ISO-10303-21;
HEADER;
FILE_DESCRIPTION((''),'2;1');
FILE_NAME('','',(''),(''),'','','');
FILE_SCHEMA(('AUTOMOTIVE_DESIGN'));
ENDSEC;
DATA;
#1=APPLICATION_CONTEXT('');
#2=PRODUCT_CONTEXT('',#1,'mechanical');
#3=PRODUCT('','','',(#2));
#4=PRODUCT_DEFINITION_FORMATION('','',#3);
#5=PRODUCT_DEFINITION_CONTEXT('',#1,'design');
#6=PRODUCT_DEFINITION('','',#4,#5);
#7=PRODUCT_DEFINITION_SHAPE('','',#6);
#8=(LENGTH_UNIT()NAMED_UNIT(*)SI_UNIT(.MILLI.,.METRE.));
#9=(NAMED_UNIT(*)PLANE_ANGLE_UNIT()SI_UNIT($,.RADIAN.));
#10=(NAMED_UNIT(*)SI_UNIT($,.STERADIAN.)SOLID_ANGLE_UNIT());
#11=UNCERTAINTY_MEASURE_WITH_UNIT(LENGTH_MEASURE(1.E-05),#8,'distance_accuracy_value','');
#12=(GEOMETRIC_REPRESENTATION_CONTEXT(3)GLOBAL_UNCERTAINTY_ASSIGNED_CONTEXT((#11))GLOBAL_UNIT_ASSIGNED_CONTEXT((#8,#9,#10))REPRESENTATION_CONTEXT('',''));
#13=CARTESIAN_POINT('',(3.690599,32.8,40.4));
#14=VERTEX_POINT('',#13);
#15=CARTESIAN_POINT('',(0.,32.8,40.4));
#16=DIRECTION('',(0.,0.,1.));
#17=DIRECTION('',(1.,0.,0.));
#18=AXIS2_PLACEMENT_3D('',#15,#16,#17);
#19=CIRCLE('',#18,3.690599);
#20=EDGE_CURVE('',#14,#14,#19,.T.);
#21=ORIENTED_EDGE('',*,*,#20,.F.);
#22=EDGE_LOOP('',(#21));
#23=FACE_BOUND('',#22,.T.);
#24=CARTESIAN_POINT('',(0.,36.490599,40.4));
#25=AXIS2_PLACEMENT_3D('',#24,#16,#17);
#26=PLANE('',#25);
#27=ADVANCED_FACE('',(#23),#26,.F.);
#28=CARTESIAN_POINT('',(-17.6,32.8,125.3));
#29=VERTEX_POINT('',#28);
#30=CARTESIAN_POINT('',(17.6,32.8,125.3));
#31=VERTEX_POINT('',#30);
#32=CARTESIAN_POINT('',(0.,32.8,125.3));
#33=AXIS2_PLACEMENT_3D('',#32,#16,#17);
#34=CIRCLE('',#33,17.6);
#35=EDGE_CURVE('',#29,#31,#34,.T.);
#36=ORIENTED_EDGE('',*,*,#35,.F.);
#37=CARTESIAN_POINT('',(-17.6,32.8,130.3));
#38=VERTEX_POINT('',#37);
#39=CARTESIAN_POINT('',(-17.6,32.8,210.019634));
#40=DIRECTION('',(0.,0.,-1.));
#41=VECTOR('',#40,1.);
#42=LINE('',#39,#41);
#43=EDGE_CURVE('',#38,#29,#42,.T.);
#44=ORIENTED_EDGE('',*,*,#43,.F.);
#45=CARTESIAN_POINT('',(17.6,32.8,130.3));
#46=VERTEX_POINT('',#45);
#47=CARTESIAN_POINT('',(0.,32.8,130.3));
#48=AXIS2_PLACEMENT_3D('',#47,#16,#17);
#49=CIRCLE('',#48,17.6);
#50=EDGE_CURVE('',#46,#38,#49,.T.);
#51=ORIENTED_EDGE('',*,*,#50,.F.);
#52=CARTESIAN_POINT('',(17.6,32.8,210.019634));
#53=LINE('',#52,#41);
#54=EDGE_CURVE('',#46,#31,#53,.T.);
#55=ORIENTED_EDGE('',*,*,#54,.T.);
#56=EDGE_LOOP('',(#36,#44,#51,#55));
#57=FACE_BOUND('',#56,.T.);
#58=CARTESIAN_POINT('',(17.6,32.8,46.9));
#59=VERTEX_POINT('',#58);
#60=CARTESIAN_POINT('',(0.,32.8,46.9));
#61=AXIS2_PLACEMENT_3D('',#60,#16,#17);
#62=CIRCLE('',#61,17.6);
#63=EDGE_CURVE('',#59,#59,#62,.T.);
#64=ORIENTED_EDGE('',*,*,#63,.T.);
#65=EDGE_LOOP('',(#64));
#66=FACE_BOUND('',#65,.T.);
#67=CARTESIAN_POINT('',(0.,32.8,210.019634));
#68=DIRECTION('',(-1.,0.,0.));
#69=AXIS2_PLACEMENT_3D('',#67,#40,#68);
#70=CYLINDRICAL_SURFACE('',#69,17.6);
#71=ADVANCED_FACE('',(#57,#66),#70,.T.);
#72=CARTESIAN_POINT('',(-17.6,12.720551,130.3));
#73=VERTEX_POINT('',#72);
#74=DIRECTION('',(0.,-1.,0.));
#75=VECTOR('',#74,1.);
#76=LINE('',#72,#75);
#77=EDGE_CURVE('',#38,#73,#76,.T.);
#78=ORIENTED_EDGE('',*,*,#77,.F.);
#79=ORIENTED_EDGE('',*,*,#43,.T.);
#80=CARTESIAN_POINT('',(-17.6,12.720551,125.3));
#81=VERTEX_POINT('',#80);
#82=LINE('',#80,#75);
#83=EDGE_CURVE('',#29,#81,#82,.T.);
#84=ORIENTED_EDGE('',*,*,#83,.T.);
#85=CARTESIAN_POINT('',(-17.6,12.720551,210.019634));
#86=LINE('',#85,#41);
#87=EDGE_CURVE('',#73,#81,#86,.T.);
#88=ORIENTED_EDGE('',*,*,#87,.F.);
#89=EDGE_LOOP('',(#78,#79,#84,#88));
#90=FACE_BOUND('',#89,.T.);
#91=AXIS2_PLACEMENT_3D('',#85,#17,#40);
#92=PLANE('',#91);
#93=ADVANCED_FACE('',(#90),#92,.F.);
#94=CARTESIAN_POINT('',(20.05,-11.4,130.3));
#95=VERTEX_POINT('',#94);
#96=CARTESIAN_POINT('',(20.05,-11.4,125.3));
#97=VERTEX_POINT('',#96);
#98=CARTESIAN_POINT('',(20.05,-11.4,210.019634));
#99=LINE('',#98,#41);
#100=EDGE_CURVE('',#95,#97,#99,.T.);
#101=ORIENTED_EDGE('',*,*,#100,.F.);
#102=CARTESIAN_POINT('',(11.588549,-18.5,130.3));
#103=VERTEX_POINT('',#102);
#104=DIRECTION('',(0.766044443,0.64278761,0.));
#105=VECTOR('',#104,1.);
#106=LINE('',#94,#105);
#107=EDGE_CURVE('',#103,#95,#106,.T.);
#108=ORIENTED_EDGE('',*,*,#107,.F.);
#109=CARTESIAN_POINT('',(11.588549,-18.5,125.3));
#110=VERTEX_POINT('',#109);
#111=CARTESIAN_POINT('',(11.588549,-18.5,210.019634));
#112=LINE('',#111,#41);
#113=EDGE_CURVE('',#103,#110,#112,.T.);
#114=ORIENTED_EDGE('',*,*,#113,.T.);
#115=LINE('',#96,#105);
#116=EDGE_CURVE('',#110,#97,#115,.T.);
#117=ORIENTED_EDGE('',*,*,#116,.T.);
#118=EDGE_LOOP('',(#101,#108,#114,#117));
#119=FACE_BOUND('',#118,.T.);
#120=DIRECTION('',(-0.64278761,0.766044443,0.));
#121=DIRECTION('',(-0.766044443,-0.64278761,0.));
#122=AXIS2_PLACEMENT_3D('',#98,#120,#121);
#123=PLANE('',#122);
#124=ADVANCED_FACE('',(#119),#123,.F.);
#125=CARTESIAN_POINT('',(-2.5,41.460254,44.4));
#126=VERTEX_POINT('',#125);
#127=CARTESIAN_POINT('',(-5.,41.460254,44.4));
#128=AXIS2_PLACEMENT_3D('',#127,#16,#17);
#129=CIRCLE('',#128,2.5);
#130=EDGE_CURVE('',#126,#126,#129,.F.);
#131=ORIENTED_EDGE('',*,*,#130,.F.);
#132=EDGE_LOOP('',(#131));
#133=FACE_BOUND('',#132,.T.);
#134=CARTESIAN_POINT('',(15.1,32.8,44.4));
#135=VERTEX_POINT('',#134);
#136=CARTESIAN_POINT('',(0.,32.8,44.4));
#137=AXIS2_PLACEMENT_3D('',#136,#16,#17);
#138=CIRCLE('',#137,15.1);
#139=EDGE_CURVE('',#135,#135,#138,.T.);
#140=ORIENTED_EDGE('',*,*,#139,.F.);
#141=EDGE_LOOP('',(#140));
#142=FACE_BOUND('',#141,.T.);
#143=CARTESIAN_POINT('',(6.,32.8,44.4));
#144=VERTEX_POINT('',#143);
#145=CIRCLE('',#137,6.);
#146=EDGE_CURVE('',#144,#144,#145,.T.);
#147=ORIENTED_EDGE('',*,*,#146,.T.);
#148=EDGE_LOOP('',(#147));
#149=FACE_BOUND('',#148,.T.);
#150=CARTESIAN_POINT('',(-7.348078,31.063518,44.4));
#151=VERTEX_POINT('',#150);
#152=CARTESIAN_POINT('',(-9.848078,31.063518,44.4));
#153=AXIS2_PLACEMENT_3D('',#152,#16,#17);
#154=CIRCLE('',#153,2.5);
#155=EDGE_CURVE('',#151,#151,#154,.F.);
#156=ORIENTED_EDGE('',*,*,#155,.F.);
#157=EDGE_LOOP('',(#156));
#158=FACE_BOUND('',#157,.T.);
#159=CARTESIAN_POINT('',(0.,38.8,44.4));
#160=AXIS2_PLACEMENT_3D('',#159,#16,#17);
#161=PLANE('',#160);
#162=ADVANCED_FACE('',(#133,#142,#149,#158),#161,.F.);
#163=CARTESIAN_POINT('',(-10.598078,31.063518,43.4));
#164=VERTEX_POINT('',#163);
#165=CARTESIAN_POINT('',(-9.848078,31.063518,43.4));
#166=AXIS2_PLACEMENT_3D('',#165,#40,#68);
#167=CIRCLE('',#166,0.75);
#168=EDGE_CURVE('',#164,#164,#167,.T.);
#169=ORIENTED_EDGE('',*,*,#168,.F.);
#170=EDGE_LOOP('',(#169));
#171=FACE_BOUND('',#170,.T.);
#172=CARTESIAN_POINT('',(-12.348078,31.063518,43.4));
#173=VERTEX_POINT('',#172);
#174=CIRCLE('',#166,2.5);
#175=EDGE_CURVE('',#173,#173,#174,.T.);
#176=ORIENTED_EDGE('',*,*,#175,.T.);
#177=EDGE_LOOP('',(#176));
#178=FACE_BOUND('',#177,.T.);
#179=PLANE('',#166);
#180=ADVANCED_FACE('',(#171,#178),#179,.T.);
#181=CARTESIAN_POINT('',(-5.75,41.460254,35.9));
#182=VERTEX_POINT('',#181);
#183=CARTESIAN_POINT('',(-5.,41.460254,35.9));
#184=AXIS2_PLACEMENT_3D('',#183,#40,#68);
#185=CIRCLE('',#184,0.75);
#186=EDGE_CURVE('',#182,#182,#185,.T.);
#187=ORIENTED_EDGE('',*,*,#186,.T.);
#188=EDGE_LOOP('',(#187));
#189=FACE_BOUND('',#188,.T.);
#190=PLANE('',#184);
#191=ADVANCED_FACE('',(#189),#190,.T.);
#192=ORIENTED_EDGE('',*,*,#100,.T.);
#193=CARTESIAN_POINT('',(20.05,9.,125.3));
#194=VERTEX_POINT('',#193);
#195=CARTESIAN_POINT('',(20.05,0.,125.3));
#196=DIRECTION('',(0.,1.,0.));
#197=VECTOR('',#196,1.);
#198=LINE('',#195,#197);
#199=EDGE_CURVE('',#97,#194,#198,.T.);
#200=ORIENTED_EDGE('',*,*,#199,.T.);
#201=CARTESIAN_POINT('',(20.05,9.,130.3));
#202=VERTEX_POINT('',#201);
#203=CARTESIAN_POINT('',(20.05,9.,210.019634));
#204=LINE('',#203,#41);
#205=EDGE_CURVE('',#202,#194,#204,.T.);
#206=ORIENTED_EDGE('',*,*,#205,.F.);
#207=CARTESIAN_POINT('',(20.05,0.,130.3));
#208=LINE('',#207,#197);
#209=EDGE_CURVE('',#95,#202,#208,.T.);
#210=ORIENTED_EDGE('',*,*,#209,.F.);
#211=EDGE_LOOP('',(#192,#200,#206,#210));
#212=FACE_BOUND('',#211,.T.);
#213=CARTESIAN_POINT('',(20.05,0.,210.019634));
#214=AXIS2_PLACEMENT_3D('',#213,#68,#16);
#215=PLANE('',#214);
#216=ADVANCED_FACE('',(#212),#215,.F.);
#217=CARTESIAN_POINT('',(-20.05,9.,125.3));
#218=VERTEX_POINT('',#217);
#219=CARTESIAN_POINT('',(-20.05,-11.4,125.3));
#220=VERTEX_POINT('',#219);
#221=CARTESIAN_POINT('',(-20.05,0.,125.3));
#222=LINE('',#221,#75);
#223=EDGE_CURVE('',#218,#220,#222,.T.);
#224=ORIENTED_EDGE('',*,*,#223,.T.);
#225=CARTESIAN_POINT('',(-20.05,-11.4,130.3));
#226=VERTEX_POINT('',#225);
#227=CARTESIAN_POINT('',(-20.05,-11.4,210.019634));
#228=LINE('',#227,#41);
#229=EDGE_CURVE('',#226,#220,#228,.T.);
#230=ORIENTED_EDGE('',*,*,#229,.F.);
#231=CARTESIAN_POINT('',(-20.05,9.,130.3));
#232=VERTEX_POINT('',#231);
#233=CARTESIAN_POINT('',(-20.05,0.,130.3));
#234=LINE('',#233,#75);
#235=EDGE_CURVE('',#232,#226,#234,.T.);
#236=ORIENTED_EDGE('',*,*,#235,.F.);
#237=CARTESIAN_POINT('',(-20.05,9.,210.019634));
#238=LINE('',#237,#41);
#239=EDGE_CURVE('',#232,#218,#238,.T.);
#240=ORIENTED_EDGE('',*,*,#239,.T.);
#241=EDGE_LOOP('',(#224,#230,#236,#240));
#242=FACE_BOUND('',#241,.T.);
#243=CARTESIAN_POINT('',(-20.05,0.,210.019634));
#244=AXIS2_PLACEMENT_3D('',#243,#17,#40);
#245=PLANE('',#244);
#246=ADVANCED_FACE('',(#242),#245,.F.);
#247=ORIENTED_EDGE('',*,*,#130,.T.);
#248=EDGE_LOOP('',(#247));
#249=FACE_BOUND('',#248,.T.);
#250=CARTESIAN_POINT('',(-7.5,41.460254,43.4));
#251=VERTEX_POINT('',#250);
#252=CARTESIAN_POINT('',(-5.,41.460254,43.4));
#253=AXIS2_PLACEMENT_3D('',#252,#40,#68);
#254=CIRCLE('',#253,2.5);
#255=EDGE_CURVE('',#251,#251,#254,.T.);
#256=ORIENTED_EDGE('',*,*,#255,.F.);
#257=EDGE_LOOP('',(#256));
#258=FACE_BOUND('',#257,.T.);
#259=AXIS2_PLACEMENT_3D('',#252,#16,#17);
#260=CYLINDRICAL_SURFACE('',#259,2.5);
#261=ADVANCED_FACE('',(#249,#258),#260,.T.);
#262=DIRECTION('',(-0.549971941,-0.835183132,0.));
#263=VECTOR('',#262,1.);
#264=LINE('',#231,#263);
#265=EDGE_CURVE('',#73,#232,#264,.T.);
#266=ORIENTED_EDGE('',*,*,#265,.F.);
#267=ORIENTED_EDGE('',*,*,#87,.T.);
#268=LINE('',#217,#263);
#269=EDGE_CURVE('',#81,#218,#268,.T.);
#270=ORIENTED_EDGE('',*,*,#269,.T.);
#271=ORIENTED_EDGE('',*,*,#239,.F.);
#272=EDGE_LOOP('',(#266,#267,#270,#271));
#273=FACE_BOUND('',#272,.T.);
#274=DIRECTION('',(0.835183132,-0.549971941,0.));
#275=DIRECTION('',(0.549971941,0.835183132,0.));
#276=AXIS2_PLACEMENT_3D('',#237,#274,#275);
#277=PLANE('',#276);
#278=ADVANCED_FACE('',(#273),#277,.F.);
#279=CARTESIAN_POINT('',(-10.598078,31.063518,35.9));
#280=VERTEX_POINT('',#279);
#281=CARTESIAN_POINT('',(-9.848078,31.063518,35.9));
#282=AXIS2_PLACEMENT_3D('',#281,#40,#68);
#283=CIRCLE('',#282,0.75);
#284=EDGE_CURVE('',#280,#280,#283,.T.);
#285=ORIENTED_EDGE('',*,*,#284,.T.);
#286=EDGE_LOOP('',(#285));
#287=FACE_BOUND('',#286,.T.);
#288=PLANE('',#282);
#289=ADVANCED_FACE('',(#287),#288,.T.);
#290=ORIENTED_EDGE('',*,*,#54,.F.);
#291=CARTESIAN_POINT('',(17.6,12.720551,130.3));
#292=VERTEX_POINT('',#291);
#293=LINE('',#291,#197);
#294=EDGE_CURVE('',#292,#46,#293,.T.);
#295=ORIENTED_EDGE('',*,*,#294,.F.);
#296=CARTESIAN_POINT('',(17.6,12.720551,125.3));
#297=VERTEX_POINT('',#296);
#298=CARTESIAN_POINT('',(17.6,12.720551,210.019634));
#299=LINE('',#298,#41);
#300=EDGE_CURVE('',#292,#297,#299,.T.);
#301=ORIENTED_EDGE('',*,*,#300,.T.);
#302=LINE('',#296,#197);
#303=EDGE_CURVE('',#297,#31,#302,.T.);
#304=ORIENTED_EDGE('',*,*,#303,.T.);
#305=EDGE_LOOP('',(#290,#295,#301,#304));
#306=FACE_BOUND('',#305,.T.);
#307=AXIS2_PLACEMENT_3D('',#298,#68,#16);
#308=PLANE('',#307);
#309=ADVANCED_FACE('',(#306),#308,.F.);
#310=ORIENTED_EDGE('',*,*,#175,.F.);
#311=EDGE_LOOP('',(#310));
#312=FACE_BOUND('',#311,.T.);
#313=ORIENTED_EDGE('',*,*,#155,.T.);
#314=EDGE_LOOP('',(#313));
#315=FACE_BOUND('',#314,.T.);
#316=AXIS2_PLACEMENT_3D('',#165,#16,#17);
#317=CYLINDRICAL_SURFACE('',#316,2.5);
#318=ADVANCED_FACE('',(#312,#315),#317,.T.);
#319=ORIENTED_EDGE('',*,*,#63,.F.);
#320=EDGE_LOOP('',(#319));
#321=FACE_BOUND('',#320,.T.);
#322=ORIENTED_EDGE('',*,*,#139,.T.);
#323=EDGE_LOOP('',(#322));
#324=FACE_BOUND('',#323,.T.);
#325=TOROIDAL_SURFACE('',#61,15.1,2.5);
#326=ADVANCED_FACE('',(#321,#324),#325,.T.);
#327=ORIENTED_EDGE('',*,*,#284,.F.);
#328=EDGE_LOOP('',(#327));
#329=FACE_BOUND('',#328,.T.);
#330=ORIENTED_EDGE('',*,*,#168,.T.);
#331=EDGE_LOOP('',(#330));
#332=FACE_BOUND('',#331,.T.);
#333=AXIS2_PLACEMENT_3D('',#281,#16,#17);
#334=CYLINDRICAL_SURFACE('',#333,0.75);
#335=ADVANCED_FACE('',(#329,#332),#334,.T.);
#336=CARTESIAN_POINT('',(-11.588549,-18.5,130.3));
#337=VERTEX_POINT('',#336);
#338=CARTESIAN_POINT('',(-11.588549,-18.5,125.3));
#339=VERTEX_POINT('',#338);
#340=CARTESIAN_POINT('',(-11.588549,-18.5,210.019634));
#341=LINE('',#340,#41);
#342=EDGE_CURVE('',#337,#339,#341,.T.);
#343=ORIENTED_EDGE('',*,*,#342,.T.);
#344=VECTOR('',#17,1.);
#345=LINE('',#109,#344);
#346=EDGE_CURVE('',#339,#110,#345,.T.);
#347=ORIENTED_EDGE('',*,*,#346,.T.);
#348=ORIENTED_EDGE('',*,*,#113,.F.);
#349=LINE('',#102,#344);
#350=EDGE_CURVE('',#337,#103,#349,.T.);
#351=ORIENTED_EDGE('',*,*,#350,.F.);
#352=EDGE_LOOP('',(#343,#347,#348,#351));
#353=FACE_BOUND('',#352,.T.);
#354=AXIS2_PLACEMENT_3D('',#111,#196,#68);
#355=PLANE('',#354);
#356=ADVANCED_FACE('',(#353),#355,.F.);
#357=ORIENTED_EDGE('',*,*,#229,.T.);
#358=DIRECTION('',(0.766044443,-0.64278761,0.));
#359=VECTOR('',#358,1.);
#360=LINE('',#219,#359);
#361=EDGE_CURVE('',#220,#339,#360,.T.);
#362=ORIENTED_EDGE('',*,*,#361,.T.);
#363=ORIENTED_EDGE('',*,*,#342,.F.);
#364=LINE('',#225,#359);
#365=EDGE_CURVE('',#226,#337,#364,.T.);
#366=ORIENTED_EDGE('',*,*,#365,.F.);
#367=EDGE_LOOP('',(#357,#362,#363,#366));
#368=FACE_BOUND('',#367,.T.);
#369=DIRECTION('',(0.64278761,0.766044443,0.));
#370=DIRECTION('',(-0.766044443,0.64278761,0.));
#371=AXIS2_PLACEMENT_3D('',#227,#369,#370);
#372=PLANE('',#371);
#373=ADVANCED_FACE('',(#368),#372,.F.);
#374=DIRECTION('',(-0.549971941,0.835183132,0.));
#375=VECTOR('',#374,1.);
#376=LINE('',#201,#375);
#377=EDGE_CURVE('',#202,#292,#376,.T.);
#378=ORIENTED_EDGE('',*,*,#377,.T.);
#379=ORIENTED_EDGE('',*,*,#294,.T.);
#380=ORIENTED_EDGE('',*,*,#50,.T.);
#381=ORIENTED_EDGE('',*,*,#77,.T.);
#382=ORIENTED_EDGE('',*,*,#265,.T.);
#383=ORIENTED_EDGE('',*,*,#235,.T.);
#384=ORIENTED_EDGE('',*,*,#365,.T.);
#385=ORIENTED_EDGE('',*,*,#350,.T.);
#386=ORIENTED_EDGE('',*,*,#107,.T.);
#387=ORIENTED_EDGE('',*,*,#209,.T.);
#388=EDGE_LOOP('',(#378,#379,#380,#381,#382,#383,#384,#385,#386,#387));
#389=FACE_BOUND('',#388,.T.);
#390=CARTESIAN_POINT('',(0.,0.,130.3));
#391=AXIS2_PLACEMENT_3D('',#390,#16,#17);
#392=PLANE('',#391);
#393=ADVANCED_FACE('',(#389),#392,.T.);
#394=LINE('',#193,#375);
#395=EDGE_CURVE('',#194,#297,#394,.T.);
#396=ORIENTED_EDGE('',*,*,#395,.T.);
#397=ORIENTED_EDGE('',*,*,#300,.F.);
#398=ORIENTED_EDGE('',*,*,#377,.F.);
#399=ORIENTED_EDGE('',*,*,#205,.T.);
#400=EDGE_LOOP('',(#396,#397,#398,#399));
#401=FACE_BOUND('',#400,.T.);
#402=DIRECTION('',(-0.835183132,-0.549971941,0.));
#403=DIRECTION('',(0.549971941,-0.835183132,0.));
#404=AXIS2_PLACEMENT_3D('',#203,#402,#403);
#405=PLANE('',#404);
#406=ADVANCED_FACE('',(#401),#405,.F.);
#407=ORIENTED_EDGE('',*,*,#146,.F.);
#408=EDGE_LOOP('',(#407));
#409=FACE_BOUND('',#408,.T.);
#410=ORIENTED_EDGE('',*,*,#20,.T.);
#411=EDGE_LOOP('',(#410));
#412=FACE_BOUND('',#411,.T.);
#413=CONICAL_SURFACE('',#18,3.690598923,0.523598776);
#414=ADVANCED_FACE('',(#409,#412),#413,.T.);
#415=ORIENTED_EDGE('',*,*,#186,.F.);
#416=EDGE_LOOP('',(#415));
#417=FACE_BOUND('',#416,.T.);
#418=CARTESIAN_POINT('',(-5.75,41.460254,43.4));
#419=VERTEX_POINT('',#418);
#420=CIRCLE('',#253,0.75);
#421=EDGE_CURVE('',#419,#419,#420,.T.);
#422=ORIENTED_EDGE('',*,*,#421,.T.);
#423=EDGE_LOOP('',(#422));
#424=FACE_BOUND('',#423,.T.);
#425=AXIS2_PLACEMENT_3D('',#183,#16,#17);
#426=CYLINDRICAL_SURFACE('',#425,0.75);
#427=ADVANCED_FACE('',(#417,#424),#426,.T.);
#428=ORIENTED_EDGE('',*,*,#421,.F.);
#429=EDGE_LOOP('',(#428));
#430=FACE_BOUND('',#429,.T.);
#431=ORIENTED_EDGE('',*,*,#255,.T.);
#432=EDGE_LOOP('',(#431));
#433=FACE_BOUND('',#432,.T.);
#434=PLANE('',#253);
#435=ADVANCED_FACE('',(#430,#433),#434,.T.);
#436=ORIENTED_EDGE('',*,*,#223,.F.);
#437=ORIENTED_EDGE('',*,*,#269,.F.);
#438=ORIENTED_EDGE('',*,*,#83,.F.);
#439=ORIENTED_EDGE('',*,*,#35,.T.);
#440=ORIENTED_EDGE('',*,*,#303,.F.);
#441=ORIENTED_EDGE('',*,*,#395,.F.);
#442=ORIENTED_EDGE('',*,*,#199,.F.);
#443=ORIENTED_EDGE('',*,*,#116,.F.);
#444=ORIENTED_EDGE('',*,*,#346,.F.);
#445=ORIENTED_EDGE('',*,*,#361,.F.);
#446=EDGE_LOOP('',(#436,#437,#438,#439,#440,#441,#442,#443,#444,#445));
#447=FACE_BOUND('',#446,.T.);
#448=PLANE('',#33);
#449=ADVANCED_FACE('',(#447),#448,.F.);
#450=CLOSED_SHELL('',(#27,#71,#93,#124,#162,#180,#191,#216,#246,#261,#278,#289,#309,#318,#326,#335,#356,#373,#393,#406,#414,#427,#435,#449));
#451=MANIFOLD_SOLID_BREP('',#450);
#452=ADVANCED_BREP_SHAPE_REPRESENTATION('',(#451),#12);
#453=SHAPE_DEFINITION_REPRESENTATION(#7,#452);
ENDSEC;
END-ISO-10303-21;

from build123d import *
from build123d.topology import SkipClean

# Parameters (mm, degrees)
BODY_DEPTH         = 5
SKETCH4_R          = 2.5
TOP_ELECTRIC_DEPTH = 1
SKETCH6_R          = 0.75
CABLE_DEPTH        = 7.5


with BuildPart() as part:
    # Sketch1 → Body (new body)
    with BuildSketch(Plane.XY.offset(125.3)):
        with BuildLine():
            Line((-20.05, 9), (-17.6, 12.720551034))
            Line((-17.6, 12.720551034), (-17.6, 32.8))
            ThreePointArc((-17.6, 32.8), (-12.445079349, 45.245079349), (0, 50.4))
            ThreePointArc((0, 50.4), (12.445079349, 45.245079349), (17.6, 32.8))
            Line((17.6, 32.8), (17.6, 12.720551034))
            Line((17.6, 12.720551034), (20.05, 9))
            Line((20.05, 9), (20.05, 0))
            Line((20.05, 0), (20.05, -11.4))
            Line((20.05, -11.4), (11.588549493, -18.5))
            Line((11.588549493, -18.5), (7.016550666, -18.5))
            Line((7.016550666, -18.5), (-7.016550666, -18.5))
            Line((-7.016550666, -18.5), (-11.588549493, -18.5))
            Line((-11.588549493, -18.5), (-20.05, -11.4))
            Line((-20.05, -11.4), (-20.05, 0))
            Line((-20.05, 0), (-20.05, 9))
        make_face()
    extrude(amount=BODY_DEPTH)

    # Sketch3 → Motor-Body (revolve)
    with SkipClean():  # keep this step's faces unmerged: merging them makes the solid invalid here
        with BuildSketch(Plane(origin=(0, 0, 0), x_dir=(0, 0, -1), z_dir=(1, 0, 0)), mode=Mode.PRIVATE) as motor_body_sk:
            with BuildLine():
                Line((-125.3, 32.8), (-40.4, 32.8))
                Line((-40.4, 32.8), (-40.4, 36.490598923))
                Line((-40.4, 36.490598923), (-44.4, 38.8))
                Line((-44.4, 38.8), (-44.4, 47.9))
                ThreePointArc((-44.4, 47.9), (-45.132233047, 49.667766953), (-46.9, 50.4))
                Line((-46.9, 50.4), (-125.3, 50.4))
                Line((-125.3, 50.4), (-125.3, 32.8))
            make_face()
        revolve(motor_body_sk.sketch.rotate(Axis((0, 32.8, 140.3), (0, 0, -1)), 90), axis=Axis((0, 32.8, 140.3), (0, 0, -1)))  # turned: the seam where the file's is

    # Sketch4 → Top-Electric (add)
    with SkipClean():  # keep this step's faces unmerged: merging them makes the solid invalid here
        with BuildSketch(Plane(origin=(0, 0, 44.4), x_dir=(-1, 0, 0), z_dir=(0, 0, -1))):
            with Locations(Location((9.84807753, 31.063518223, 0), (0, 0, 180))):  # turned: the seam where the file's is
                Circle(SKETCH4_R)
            with Locations(Location((5, 41.460254038, 0), (0, 0, 180))):  # turned: the seam where the file's is
                Circle(SKETCH4_R)
        extrude(amount=TOP_ELECTRIC_DEPTH)

    # Sketch6 → Cable (add)
    with SkipClean():  # keep this step's faces unmerged: merging them makes the solid invalid here
        with BuildSketch(Plane(origin=(0, 0, 43.4), x_dir=(-1, 0, 0), z_dir=(0, 0, -1))):
            with Locations((5, 41.460254038)):
                Circle(SKETCH6_R)
            with Locations((9.84807753, 31.063518223)):
                Circle(SKETCH6_R)
        extrude(amount=CABLE_DEPTH)


solid = part.part
